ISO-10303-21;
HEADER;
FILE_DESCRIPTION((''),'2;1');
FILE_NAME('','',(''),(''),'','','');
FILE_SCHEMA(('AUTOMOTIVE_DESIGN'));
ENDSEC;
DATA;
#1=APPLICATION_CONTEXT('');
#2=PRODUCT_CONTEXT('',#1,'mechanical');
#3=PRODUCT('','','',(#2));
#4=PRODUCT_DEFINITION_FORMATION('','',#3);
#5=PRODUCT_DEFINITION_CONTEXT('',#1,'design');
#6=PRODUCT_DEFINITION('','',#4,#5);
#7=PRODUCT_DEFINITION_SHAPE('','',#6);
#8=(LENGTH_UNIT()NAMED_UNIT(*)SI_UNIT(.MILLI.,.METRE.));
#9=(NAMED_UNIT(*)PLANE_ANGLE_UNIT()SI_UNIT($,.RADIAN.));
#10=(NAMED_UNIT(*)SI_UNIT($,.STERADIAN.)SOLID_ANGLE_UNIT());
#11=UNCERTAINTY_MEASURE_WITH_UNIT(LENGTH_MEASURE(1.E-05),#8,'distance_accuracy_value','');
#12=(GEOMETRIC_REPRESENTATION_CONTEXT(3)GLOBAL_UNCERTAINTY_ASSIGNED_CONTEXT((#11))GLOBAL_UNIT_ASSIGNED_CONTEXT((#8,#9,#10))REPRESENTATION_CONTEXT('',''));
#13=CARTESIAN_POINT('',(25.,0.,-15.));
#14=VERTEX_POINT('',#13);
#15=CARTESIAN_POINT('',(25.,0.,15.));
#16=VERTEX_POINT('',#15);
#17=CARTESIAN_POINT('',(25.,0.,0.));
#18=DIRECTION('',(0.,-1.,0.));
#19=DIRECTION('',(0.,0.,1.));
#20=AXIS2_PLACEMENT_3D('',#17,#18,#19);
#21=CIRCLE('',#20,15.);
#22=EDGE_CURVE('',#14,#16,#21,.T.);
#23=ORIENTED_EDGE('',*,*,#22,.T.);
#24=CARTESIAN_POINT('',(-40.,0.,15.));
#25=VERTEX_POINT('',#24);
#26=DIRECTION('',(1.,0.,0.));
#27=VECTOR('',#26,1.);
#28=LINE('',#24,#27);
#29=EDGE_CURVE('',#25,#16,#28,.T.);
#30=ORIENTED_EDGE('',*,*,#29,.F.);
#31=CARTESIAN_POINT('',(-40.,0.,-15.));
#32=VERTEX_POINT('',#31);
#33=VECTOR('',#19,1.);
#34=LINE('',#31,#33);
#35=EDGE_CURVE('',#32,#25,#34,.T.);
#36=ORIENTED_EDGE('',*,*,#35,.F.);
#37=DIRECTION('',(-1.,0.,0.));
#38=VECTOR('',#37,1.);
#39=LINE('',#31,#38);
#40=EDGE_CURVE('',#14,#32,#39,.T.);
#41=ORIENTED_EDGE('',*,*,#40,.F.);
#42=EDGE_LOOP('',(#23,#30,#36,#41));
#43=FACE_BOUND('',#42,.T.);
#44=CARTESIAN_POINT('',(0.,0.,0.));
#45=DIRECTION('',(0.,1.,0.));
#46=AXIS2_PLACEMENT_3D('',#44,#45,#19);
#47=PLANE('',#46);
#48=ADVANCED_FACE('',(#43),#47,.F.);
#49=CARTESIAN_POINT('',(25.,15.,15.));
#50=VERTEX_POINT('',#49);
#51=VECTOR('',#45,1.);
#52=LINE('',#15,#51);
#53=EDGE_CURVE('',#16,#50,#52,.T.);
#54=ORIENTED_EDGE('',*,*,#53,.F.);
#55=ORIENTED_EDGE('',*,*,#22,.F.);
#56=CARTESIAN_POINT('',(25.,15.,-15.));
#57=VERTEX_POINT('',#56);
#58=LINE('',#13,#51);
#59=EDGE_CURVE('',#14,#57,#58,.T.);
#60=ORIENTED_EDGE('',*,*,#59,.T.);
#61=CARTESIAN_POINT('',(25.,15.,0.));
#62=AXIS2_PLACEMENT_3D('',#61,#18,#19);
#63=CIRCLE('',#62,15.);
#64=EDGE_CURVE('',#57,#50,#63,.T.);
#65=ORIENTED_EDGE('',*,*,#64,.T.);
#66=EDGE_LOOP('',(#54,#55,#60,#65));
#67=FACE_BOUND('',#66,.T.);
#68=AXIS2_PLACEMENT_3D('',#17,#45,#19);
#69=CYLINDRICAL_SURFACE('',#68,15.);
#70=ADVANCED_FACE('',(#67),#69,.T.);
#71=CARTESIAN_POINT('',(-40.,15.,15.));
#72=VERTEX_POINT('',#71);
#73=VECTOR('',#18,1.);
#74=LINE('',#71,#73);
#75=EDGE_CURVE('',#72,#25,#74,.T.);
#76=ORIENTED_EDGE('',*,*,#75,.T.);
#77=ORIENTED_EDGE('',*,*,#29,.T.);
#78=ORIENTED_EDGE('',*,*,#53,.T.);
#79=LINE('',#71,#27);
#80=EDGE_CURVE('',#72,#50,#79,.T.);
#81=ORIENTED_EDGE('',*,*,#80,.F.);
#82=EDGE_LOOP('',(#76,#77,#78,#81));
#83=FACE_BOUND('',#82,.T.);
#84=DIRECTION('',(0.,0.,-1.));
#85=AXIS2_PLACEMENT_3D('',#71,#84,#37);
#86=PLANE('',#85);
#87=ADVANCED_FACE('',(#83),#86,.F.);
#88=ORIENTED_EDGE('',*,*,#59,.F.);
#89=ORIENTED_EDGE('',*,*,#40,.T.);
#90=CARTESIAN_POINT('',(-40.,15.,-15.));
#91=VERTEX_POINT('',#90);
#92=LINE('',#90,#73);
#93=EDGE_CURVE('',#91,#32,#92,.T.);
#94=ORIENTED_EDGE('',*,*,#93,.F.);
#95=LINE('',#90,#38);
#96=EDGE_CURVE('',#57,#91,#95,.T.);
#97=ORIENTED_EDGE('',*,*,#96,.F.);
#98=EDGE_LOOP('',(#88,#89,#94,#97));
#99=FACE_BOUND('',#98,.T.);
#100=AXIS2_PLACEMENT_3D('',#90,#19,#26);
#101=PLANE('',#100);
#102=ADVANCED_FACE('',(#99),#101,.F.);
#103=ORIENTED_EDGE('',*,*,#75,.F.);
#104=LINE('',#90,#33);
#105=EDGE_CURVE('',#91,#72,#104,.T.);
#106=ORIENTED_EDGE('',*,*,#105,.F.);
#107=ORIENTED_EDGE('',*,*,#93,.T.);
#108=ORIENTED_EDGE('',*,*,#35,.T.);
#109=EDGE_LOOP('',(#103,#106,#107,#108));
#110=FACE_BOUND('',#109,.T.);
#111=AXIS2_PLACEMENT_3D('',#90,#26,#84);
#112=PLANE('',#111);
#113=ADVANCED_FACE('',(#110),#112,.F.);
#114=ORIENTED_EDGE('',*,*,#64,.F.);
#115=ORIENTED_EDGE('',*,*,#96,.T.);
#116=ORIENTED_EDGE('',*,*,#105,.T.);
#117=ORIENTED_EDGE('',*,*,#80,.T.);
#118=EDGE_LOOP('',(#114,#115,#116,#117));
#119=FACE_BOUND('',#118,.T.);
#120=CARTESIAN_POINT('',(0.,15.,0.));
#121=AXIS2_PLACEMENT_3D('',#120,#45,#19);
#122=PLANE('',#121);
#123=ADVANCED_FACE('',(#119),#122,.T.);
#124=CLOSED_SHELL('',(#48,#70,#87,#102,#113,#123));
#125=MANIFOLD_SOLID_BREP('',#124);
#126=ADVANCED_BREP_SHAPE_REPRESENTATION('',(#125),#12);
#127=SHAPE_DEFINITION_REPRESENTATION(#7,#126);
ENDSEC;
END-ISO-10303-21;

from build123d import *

# Parameters (mm, degrees)
SKETCH2_W           = 80
SKETCH2_H           = 30
BOSS_EXTRUDE1_DEPTH = 15
CUT_EXTRUDE4_DEPTH  = 16
CUT_EXTRUDE5_DEPTH  = 16


with BuildPart() as part:
    # Sketch2 → Boss-Extrude1 (new body)
    with BuildSketch(Plane(origin=(0, 0, 0), x_dir=(1, 0, 0), z_dir=(0, 1, 0))):
        Rectangle(SKETCH2_W, SKETCH2_H)
    extrude(amount=BOSS_EXTRUDE1_DEPTH)

    # Sketch4 → Cut-Extrude4 (cut, through all)
    with BuildSketch(Plane(origin=(0, 15, 0), x_dir=(1, 0, 0), z_dir=(0, 1, 0))):
        with BuildLine():
            Line((25, 15), (40, 15))
            Line((40, 15), (40, 0))
            ThreePointArc((40, 0), (35.606601718, 10.606601718), (25, 15))
        make_face()
    extrude(amount=-CUT_EXTRUDE4_DEPTH, mode=Mode.SUBTRACT)

    # Sketch5 → Cut-Extrude5 (cut, through all)
    with BuildSketch(Plane(origin=(0, 15, 0), x_dir=(1, 0, 0), z_dir=(0, 1, 0))):
        with BuildLine():
            Line((40, 0), (40, -15))
            Line((40, -15), (25, -15))
            ThreePointArc((25, -15), (35.606601718, -10.606601718), (40, 0))
        make_face()
    extrude(amount=-CUT_EXTRUDE5_DEPTH, mode=Mode.SUBTRACT)


solid = part.part
